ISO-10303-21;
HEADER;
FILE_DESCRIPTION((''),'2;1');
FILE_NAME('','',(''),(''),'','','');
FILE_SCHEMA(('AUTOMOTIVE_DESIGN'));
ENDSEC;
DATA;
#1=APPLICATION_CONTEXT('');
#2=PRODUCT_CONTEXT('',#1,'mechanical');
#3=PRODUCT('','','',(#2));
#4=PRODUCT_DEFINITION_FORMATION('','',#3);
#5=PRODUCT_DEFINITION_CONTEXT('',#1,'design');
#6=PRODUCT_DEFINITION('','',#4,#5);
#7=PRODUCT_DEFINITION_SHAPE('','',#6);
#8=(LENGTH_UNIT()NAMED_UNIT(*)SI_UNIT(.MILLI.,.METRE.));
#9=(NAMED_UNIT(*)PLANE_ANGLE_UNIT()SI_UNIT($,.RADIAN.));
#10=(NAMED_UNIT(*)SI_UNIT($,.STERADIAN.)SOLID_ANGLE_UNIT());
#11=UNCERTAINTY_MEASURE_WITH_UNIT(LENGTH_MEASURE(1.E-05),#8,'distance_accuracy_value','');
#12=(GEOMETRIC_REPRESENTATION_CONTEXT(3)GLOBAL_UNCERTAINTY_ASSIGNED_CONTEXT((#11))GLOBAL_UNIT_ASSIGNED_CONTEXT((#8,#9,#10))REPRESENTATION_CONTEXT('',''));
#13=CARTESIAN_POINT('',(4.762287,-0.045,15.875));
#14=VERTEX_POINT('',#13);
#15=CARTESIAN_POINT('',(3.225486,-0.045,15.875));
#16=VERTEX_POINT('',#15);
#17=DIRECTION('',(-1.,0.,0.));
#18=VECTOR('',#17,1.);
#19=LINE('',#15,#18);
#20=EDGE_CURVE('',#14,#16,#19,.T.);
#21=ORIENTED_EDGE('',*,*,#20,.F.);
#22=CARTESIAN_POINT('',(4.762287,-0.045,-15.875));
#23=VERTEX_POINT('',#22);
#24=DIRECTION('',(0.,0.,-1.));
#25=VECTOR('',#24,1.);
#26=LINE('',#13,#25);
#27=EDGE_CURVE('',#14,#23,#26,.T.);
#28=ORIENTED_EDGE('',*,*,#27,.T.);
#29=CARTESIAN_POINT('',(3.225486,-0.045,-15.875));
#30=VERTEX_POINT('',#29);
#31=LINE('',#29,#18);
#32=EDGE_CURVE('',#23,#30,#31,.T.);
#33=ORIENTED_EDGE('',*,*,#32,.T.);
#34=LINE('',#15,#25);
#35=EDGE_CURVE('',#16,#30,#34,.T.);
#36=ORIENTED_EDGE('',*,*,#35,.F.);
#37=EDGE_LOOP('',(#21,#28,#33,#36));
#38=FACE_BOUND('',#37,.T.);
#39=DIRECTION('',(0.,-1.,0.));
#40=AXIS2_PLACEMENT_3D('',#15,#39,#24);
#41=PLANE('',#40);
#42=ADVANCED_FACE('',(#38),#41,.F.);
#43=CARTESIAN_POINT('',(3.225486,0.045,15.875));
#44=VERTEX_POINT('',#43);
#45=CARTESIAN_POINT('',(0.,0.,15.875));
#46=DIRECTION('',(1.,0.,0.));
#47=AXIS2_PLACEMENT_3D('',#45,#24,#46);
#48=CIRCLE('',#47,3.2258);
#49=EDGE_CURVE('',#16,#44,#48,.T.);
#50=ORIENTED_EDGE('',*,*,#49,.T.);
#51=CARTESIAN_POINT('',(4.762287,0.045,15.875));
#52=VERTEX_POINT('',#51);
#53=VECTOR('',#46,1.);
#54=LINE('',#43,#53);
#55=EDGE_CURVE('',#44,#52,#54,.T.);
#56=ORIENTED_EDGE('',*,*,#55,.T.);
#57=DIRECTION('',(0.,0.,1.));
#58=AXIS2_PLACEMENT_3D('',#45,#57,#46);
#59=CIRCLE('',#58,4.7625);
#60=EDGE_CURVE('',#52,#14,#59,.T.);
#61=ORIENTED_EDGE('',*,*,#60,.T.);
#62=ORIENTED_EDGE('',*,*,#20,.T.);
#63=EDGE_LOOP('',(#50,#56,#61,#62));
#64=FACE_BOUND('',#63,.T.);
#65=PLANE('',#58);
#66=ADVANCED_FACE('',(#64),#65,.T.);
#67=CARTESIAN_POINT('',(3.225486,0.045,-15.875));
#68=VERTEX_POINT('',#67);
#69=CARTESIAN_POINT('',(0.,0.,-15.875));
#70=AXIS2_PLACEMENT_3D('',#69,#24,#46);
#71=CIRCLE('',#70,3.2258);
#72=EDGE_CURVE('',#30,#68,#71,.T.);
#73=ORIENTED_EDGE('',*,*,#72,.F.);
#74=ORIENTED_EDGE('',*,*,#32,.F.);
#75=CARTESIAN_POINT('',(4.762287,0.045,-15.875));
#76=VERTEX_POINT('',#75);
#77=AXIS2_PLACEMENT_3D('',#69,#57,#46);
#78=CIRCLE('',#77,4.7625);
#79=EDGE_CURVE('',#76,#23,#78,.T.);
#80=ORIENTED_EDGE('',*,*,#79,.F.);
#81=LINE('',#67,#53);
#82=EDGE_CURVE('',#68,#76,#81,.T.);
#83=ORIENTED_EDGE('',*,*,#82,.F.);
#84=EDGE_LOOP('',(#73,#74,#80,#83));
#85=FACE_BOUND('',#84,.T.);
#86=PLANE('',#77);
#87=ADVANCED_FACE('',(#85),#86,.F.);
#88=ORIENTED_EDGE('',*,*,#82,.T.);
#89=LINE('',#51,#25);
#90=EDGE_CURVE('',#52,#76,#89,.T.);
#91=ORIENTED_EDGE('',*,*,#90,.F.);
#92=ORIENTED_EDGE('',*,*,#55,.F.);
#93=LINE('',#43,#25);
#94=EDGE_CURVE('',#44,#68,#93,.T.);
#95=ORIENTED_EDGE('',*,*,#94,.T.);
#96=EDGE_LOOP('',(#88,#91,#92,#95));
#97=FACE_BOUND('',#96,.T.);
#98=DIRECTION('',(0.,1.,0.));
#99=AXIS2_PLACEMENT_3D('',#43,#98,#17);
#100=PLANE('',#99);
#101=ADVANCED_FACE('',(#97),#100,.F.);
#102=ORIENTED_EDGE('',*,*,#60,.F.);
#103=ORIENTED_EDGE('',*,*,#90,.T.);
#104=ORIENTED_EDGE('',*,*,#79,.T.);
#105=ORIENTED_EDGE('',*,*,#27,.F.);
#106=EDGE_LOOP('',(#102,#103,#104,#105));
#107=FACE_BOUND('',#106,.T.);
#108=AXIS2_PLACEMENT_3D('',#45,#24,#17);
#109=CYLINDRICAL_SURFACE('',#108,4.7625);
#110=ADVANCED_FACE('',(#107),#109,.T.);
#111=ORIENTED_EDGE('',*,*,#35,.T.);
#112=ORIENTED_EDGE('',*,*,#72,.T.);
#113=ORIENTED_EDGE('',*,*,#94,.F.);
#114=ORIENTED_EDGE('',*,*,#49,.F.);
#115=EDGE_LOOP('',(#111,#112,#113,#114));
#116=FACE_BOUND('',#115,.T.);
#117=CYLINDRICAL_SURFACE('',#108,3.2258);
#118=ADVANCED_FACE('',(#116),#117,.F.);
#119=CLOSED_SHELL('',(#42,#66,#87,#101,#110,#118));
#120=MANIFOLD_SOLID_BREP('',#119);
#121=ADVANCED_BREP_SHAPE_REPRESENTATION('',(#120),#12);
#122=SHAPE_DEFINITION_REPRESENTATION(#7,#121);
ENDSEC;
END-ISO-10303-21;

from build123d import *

# Parameters (mm, degrees)
BOSS_EXTRUDE1_DEPTH      = 15.875
BOSS_EXTRUDE1_DEPTH_BACK = 15.875


with BuildPart() as part:
    # Sketch3 → Boss-Extrude1 (new, two sides: drawn at the far end of the back side and taken through both)
    with BuildSketch(Plane.XY.offset(-BOSS_EXTRUDE1_DEPTH_BACK)):
        with BuildLine():
            Line((3.225486109, 0.045), (4.762287397, 0.045))
            ThreePointArc((4.762287397, 0.045), (-4.7625, 0), (4.762287397, -0.045))
            Line((4.762287397, -0.045), (3.225486109, -0.045))
            ThreePointArc((3.225486109, -0.045), (-3.2258, 0), (3.225486109, 0.045))
        make_face()
    extrude(amount=BOSS_EXTRUDE1_DEPTH + BOSS_EXTRUDE1_DEPTH_BACK)


solid = part.part
